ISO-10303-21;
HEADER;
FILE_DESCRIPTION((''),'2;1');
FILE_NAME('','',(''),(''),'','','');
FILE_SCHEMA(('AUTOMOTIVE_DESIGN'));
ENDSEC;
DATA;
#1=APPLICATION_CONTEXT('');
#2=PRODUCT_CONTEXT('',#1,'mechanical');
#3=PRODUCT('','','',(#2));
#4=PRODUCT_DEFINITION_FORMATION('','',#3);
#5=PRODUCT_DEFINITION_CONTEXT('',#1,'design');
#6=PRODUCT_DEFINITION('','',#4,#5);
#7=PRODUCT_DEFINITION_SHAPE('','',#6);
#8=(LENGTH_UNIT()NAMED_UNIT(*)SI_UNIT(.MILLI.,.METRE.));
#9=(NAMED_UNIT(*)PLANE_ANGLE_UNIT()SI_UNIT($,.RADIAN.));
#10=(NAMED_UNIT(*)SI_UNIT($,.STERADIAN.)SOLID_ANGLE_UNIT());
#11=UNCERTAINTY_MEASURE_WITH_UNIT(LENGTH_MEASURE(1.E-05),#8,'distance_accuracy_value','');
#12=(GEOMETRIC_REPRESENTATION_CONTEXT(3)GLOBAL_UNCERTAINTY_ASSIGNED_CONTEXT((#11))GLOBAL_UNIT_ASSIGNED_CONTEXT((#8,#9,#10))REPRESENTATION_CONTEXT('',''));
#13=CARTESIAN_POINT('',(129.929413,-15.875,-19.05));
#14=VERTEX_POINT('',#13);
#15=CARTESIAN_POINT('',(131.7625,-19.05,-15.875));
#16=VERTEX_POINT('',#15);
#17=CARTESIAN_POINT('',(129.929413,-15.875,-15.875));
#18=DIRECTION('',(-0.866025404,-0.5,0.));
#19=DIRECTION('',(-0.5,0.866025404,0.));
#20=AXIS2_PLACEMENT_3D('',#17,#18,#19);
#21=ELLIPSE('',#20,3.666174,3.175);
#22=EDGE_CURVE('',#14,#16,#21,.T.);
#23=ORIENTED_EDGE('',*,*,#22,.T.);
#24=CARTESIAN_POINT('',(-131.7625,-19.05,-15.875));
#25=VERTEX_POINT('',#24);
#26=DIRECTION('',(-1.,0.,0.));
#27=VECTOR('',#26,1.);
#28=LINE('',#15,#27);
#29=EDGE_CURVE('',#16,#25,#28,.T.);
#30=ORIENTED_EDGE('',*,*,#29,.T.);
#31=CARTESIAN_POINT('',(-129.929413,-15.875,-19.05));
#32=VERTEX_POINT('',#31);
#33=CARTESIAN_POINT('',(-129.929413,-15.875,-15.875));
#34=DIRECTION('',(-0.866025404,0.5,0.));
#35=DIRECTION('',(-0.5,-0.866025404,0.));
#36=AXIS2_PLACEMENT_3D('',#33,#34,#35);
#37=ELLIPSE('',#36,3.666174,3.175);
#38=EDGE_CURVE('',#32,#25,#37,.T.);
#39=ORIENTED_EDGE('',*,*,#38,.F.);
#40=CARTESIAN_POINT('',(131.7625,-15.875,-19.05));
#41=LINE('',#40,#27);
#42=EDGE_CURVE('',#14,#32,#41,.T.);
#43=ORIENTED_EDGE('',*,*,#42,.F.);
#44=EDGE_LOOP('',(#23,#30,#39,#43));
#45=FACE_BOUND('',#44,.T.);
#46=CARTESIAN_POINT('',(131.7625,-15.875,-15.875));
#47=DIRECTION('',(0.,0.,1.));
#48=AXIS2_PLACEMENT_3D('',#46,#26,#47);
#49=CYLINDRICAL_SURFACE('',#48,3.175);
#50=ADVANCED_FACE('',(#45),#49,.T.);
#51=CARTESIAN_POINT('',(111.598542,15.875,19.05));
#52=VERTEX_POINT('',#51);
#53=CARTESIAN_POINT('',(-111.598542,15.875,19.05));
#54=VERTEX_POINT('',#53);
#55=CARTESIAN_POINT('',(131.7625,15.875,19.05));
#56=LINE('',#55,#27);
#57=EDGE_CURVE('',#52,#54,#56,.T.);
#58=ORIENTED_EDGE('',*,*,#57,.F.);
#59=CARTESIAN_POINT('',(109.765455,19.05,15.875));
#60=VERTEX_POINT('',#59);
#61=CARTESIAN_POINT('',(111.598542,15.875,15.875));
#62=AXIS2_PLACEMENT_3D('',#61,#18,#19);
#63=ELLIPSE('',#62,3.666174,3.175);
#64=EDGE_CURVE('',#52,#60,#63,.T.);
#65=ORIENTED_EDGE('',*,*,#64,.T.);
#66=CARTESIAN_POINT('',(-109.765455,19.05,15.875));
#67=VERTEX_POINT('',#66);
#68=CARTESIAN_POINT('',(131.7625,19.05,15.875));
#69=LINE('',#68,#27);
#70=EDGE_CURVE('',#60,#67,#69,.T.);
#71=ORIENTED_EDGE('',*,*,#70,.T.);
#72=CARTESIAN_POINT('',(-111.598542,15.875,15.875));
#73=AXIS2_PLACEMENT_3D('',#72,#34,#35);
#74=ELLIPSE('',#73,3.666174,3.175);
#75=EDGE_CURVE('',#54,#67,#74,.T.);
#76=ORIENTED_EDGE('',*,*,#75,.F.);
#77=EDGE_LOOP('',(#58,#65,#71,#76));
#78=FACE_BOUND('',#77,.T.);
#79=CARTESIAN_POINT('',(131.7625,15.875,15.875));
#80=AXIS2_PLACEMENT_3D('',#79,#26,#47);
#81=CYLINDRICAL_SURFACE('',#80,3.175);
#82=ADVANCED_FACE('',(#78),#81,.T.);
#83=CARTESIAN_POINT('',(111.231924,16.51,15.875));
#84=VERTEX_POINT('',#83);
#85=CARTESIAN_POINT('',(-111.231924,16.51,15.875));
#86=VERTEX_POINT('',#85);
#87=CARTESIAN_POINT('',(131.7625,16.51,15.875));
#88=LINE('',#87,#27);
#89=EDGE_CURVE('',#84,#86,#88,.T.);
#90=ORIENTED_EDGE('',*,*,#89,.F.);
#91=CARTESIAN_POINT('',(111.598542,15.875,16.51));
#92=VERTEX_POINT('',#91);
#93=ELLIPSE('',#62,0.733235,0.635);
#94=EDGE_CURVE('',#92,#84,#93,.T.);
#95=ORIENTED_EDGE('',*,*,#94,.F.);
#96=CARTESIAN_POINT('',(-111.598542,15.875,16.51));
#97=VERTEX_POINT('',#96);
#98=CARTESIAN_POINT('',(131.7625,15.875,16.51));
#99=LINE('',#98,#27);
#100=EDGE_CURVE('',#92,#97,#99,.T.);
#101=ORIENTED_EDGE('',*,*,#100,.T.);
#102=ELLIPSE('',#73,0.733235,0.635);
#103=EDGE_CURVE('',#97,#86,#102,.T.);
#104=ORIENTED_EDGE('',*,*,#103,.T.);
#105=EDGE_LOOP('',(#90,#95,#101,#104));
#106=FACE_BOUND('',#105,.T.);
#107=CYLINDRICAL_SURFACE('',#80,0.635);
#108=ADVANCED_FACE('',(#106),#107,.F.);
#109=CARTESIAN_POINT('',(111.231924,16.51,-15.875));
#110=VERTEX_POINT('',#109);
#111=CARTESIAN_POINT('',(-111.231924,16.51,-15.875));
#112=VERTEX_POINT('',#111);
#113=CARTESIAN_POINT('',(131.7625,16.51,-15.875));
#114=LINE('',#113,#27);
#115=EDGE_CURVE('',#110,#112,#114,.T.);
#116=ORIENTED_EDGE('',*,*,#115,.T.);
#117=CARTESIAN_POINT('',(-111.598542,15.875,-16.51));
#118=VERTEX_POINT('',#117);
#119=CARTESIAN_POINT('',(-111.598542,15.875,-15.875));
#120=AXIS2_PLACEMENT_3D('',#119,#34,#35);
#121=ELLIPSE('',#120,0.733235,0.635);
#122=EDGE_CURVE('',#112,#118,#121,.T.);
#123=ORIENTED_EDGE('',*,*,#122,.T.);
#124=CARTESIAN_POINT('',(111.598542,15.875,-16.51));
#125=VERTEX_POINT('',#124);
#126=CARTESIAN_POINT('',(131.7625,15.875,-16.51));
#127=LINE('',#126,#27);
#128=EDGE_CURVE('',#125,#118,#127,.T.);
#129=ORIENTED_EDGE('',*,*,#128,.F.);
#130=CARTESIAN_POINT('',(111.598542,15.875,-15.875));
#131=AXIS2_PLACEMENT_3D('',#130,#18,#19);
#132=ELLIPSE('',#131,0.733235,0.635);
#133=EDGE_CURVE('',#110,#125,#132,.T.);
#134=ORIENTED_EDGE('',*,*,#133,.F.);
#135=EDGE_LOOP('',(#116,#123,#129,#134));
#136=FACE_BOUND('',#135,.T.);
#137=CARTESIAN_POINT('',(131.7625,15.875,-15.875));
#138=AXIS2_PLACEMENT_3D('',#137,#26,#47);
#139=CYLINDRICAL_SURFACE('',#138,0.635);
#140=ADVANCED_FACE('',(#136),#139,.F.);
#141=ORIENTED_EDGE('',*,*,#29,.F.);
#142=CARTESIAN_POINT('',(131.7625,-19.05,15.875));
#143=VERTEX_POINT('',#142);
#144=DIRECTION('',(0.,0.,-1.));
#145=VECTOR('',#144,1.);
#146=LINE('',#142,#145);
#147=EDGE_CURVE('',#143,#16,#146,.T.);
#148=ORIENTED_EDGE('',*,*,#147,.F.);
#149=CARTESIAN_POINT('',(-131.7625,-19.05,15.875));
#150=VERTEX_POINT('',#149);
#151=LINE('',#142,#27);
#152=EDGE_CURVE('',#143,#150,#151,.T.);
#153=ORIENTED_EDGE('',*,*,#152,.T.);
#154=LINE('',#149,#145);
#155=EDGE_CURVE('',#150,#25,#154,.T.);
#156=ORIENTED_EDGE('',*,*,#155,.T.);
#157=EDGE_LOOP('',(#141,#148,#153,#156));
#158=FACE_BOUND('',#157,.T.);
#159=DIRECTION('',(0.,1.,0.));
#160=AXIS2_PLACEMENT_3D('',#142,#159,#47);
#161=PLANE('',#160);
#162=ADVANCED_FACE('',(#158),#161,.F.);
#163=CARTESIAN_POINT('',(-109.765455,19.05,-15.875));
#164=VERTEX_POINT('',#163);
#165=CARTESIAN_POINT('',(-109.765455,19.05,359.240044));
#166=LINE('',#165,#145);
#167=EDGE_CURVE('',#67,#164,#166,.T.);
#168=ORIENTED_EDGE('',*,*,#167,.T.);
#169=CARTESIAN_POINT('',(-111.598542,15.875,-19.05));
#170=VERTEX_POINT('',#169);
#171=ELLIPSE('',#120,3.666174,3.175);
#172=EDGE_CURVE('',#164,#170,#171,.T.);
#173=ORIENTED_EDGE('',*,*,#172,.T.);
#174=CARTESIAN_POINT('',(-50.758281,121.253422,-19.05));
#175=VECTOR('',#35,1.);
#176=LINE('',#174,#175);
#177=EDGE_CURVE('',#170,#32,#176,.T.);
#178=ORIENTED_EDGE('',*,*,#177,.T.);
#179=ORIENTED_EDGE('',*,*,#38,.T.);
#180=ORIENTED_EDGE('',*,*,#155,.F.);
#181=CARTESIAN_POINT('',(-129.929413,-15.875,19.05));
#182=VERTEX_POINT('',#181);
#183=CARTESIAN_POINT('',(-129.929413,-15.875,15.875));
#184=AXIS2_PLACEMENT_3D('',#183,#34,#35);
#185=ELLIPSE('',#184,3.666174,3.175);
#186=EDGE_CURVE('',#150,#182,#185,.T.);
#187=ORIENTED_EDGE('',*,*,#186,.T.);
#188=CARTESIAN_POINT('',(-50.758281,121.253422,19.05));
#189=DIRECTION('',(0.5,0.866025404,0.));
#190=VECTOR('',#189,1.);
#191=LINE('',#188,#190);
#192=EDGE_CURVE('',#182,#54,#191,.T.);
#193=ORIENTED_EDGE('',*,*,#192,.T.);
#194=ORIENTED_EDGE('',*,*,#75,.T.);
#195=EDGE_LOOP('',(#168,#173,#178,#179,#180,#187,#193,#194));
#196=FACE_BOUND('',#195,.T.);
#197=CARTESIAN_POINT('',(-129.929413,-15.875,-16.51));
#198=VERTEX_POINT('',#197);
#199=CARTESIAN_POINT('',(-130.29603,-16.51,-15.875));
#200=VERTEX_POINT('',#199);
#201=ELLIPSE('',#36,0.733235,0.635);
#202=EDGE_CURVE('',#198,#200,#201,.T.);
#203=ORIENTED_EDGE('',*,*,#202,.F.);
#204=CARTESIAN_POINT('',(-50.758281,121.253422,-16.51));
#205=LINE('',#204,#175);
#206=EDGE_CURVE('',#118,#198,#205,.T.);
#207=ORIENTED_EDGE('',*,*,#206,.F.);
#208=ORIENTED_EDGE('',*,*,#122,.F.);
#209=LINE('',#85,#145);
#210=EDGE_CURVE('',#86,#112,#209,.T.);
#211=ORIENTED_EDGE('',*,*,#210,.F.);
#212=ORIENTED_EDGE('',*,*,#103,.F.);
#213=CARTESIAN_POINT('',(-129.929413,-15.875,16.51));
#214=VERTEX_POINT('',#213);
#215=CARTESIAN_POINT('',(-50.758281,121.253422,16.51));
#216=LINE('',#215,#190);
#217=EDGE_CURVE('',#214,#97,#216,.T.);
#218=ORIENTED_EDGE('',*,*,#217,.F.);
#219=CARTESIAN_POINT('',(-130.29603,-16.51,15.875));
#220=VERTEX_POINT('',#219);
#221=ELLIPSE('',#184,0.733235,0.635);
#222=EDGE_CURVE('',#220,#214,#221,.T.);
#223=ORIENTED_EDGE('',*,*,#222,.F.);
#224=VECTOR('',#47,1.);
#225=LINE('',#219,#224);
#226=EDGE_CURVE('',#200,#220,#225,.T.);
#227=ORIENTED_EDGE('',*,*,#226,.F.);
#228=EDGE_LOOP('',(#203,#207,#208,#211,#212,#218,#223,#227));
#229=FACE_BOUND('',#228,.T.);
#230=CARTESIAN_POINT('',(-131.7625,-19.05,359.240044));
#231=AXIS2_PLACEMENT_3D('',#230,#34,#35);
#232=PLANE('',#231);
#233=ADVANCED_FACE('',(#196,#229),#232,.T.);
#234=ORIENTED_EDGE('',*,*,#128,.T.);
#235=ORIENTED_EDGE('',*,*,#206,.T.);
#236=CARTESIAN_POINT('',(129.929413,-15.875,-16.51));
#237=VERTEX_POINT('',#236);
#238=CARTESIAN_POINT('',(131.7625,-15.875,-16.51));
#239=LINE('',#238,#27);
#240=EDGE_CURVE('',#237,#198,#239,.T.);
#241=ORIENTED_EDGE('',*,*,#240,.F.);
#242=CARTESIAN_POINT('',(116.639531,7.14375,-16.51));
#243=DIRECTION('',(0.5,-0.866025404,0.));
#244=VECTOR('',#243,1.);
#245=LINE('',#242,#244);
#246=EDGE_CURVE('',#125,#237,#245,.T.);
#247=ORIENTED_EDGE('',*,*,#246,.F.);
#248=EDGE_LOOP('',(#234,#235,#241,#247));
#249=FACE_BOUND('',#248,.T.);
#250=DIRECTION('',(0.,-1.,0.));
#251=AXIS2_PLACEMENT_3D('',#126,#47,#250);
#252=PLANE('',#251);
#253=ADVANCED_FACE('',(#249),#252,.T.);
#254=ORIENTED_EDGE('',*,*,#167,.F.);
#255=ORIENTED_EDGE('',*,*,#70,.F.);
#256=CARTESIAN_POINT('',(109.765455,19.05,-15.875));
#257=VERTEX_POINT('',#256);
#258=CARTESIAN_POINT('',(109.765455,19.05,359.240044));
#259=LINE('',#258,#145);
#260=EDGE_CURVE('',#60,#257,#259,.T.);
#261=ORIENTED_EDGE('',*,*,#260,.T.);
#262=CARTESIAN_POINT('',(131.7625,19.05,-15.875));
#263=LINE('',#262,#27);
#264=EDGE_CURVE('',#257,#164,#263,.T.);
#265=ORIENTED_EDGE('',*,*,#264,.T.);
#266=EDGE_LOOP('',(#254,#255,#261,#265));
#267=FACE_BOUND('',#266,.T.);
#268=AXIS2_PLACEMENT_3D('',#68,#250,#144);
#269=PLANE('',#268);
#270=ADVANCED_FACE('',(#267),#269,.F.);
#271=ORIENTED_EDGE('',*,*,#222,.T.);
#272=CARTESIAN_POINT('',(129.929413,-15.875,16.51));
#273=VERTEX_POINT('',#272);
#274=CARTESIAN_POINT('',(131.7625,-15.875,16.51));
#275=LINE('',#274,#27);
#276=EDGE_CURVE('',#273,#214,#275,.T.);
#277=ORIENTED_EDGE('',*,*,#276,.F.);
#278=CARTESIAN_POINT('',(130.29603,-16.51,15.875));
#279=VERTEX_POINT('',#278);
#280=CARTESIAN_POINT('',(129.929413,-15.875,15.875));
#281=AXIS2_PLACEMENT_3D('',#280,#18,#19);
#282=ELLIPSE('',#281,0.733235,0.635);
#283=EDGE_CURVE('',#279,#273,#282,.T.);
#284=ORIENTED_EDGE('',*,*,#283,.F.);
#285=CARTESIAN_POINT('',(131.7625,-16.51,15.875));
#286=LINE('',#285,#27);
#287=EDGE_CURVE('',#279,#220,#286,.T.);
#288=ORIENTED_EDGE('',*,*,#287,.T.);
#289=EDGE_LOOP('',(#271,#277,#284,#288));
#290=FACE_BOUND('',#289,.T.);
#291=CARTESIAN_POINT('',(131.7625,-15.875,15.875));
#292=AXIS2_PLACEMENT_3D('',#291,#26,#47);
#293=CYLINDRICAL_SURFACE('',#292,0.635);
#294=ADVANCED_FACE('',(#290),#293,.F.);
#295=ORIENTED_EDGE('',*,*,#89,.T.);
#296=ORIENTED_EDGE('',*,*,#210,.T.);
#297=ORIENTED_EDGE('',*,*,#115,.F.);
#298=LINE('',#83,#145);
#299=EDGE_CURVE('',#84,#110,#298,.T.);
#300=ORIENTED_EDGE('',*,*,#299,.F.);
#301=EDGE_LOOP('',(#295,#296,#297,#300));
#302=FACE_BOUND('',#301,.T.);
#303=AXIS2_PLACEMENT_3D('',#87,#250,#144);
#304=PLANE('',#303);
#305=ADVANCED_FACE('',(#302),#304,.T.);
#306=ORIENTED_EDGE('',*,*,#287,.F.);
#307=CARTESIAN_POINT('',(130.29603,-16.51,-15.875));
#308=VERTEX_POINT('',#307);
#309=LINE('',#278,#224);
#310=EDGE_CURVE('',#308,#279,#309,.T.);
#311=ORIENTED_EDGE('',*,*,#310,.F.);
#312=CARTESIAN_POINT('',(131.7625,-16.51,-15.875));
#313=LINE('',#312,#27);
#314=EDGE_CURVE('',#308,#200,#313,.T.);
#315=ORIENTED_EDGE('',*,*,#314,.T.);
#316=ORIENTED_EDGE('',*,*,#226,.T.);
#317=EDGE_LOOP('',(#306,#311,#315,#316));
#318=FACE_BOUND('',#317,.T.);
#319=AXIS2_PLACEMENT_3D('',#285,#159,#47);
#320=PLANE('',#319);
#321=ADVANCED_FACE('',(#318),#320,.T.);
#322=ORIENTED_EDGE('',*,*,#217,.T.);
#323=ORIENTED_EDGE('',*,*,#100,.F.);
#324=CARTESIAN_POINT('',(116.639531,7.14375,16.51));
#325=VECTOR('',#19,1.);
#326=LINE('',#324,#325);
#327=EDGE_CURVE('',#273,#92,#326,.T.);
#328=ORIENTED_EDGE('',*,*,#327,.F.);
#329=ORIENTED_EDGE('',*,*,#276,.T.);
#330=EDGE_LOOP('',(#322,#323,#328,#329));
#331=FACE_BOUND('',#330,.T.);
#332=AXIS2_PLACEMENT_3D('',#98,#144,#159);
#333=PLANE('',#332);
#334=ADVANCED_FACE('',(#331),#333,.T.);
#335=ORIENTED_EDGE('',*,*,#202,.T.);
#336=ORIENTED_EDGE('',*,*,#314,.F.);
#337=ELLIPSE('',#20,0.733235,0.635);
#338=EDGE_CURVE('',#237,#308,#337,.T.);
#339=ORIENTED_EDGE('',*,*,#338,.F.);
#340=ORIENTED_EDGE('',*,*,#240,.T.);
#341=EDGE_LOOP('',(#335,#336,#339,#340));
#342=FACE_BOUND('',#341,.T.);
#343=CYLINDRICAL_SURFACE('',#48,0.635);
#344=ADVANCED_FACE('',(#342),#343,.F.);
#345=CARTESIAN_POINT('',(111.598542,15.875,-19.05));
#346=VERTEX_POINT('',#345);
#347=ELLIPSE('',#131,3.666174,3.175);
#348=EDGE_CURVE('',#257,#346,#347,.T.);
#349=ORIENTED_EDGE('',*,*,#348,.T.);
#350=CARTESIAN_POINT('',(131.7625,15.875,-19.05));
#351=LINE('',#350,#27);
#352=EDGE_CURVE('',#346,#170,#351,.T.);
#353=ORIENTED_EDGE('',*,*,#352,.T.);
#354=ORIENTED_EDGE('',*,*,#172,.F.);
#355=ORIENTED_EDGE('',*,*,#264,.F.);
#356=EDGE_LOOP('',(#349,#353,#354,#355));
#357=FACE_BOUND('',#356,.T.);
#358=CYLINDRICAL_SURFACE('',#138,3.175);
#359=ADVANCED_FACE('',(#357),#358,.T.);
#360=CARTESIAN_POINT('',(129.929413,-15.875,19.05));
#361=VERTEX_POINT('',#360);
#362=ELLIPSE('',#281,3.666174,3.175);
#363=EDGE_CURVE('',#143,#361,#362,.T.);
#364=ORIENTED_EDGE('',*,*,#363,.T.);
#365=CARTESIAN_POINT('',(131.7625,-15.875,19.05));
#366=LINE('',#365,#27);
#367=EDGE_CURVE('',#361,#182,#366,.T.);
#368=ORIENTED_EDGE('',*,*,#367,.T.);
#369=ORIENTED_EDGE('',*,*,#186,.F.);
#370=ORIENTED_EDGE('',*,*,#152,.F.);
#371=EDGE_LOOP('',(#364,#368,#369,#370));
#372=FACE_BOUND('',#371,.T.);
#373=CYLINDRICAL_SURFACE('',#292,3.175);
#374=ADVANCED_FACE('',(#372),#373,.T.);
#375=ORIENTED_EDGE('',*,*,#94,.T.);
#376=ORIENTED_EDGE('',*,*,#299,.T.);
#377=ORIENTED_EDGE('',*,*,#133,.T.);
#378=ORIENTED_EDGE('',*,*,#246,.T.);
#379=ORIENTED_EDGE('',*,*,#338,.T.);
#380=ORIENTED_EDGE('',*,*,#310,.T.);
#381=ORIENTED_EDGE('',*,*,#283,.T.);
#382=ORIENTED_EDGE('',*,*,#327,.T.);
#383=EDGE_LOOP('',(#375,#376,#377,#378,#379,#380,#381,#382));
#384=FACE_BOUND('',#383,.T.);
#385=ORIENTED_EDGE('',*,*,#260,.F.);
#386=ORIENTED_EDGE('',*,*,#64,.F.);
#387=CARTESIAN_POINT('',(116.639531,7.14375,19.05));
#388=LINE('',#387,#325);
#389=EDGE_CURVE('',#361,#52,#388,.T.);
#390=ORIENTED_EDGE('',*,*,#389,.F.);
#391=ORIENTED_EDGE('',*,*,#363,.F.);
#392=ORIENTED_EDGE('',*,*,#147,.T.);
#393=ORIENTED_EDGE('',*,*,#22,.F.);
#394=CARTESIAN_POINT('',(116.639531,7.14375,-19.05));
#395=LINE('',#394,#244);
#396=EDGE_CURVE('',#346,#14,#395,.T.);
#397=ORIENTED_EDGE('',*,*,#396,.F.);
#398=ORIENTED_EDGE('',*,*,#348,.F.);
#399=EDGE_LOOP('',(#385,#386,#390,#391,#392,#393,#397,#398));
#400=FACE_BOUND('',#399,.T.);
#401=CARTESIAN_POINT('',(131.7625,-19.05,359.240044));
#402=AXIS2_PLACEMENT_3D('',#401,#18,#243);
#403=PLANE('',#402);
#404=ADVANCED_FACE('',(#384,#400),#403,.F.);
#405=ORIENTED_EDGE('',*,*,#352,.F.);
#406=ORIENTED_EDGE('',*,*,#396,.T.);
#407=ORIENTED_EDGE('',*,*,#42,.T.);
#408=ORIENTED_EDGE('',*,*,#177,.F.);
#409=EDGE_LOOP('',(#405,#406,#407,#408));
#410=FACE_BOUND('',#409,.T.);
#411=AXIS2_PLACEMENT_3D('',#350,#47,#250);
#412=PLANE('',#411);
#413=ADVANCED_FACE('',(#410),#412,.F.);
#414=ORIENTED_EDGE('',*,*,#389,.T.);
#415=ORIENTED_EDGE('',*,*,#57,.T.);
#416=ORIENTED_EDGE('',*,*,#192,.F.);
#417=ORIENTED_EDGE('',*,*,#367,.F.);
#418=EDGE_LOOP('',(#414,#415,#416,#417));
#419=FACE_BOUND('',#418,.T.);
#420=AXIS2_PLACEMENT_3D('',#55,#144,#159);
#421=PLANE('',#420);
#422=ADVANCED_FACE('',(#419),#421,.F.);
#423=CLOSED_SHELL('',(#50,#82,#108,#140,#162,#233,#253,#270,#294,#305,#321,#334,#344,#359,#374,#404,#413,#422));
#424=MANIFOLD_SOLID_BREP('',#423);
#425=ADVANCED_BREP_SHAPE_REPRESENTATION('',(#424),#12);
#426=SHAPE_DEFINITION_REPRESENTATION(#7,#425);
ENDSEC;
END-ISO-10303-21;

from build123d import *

# Parameters (mm, degrees)
EXTRUDE_THIN1_DEPTH     = 131.7625
CUT_EXTRUDE1_DEPTH      = 1
CUT_EXTRUDE1_DEPTH_BACK = 39.1
CUT_EXTRUDE2_DEPTH      = 1
CUT_EXTRUDE2_DEPTH_BACK = 39.1


with BuildPart() as part:
    # Sketch1 → Extrude-Thin1 (new body, symmetric)
    with BuildSketch(Plane(origin=(0, 0, 0), x_dir=(0, 0, -1), z_dir=(1, 0, 0))):
        with BuildLine():
            Line((-15.875, 19.05), (15.875, 19.05))
            ThreePointArc((15.875, 19.05), (18.12006403, 18.12006403), (19.05, 15.875))
            Line((19.05, 15.875), (19.05, -15.875))
            ThreePointArc((19.05, -15.875), (18.12006403, -18.12006403), (15.875, -19.05))
            Line((15.875, -19.05), (-15.875, -19.05))
            ThreePointArc((-15.875, -19.05), (-18.12006403, -18.12006403), (-19.05, -15.875))
            Line((-19.05, -15.875), (-19.05, 15.875))
            ThreePointArc((-19.05, 15.875), (-18.12006403, 18.12006403), (-15.875, 19.05))
        make_face()
        with BuildLine():
            Line((-15.875, 16.51), (15.875, 16.51))
            ThreePointArc((15.875, 16.51), (16.324012806, 16.324012806), (16.51, 15.875))
            Line((16.51, 15.875), (16.51, -15.875))
            ThreePointArc((16.51, -15.875), (16.324012806, -16.324012806), (15.875, -16.51))
            Line((15.875, -16.51), (-15.875, -16.51))
            ThreePointArc((-15.875, -16.51), (-16.324012806, -16.324012806), (-16.51, -15.875))
            Line((-16.51, -15.875), (-16.51, 15.875))
            ThreePointArc((-16.51, 15.875), (-16.324012806, 16.324012806), (-15.875, 16.51))
        make_face(mode=Mode.SUBTRACT)
    extrude(amount=EXTRUDE_THIN1_DEPTH, both=True)

    # Sketch2 → Cut-Extrude1 (cut, two sides)
    with BuildSketch(Plane.XY.offset(19.05)) as cut_extrude1_sk:
        Polygon((-403.027472584, -488.894714829), (-131.7625, -19.05), (-109.765454744, 19.05), (161.49951784, 488.894714829), (-778.189911818, 1031.424659996), (-1342.716902241, 53.635230339), align=None)
    extrude(amount=CUT_EXTRUDE1_DEPTH, mode=Mode.SUBTRACT)
    extrude(cut_extrude1_sk.sketch, amount=-CUT_EXTRUDE1_DEPTH_BACK, mode=Mode.SUBTRACT)

    # Sketch3 → Cut-Extrude2 (cut, two sides)
    with BuildSketch(Plane.XY.offset(19.05)) as cut_extrude2_sk:
        Polygon((403.027472584, -488.894714829), (131.7625, -19.05), (109.765454744, 19.05), (-161.49951784, 488.894714829), (778.189911818, 1031.424659996), (1342.716902241, 53.635230339), align=None)
    extrude(amount=CUT_EXTRUDE2_DEPTH, mode=Mode.SUBTRACT)
    extrude(cut_extrude2_sk.sketch, amount=-CUT_EXTRUDE2_DEPTH_BACK, mode=Mode.SUBTRACT)


solid = part.part
